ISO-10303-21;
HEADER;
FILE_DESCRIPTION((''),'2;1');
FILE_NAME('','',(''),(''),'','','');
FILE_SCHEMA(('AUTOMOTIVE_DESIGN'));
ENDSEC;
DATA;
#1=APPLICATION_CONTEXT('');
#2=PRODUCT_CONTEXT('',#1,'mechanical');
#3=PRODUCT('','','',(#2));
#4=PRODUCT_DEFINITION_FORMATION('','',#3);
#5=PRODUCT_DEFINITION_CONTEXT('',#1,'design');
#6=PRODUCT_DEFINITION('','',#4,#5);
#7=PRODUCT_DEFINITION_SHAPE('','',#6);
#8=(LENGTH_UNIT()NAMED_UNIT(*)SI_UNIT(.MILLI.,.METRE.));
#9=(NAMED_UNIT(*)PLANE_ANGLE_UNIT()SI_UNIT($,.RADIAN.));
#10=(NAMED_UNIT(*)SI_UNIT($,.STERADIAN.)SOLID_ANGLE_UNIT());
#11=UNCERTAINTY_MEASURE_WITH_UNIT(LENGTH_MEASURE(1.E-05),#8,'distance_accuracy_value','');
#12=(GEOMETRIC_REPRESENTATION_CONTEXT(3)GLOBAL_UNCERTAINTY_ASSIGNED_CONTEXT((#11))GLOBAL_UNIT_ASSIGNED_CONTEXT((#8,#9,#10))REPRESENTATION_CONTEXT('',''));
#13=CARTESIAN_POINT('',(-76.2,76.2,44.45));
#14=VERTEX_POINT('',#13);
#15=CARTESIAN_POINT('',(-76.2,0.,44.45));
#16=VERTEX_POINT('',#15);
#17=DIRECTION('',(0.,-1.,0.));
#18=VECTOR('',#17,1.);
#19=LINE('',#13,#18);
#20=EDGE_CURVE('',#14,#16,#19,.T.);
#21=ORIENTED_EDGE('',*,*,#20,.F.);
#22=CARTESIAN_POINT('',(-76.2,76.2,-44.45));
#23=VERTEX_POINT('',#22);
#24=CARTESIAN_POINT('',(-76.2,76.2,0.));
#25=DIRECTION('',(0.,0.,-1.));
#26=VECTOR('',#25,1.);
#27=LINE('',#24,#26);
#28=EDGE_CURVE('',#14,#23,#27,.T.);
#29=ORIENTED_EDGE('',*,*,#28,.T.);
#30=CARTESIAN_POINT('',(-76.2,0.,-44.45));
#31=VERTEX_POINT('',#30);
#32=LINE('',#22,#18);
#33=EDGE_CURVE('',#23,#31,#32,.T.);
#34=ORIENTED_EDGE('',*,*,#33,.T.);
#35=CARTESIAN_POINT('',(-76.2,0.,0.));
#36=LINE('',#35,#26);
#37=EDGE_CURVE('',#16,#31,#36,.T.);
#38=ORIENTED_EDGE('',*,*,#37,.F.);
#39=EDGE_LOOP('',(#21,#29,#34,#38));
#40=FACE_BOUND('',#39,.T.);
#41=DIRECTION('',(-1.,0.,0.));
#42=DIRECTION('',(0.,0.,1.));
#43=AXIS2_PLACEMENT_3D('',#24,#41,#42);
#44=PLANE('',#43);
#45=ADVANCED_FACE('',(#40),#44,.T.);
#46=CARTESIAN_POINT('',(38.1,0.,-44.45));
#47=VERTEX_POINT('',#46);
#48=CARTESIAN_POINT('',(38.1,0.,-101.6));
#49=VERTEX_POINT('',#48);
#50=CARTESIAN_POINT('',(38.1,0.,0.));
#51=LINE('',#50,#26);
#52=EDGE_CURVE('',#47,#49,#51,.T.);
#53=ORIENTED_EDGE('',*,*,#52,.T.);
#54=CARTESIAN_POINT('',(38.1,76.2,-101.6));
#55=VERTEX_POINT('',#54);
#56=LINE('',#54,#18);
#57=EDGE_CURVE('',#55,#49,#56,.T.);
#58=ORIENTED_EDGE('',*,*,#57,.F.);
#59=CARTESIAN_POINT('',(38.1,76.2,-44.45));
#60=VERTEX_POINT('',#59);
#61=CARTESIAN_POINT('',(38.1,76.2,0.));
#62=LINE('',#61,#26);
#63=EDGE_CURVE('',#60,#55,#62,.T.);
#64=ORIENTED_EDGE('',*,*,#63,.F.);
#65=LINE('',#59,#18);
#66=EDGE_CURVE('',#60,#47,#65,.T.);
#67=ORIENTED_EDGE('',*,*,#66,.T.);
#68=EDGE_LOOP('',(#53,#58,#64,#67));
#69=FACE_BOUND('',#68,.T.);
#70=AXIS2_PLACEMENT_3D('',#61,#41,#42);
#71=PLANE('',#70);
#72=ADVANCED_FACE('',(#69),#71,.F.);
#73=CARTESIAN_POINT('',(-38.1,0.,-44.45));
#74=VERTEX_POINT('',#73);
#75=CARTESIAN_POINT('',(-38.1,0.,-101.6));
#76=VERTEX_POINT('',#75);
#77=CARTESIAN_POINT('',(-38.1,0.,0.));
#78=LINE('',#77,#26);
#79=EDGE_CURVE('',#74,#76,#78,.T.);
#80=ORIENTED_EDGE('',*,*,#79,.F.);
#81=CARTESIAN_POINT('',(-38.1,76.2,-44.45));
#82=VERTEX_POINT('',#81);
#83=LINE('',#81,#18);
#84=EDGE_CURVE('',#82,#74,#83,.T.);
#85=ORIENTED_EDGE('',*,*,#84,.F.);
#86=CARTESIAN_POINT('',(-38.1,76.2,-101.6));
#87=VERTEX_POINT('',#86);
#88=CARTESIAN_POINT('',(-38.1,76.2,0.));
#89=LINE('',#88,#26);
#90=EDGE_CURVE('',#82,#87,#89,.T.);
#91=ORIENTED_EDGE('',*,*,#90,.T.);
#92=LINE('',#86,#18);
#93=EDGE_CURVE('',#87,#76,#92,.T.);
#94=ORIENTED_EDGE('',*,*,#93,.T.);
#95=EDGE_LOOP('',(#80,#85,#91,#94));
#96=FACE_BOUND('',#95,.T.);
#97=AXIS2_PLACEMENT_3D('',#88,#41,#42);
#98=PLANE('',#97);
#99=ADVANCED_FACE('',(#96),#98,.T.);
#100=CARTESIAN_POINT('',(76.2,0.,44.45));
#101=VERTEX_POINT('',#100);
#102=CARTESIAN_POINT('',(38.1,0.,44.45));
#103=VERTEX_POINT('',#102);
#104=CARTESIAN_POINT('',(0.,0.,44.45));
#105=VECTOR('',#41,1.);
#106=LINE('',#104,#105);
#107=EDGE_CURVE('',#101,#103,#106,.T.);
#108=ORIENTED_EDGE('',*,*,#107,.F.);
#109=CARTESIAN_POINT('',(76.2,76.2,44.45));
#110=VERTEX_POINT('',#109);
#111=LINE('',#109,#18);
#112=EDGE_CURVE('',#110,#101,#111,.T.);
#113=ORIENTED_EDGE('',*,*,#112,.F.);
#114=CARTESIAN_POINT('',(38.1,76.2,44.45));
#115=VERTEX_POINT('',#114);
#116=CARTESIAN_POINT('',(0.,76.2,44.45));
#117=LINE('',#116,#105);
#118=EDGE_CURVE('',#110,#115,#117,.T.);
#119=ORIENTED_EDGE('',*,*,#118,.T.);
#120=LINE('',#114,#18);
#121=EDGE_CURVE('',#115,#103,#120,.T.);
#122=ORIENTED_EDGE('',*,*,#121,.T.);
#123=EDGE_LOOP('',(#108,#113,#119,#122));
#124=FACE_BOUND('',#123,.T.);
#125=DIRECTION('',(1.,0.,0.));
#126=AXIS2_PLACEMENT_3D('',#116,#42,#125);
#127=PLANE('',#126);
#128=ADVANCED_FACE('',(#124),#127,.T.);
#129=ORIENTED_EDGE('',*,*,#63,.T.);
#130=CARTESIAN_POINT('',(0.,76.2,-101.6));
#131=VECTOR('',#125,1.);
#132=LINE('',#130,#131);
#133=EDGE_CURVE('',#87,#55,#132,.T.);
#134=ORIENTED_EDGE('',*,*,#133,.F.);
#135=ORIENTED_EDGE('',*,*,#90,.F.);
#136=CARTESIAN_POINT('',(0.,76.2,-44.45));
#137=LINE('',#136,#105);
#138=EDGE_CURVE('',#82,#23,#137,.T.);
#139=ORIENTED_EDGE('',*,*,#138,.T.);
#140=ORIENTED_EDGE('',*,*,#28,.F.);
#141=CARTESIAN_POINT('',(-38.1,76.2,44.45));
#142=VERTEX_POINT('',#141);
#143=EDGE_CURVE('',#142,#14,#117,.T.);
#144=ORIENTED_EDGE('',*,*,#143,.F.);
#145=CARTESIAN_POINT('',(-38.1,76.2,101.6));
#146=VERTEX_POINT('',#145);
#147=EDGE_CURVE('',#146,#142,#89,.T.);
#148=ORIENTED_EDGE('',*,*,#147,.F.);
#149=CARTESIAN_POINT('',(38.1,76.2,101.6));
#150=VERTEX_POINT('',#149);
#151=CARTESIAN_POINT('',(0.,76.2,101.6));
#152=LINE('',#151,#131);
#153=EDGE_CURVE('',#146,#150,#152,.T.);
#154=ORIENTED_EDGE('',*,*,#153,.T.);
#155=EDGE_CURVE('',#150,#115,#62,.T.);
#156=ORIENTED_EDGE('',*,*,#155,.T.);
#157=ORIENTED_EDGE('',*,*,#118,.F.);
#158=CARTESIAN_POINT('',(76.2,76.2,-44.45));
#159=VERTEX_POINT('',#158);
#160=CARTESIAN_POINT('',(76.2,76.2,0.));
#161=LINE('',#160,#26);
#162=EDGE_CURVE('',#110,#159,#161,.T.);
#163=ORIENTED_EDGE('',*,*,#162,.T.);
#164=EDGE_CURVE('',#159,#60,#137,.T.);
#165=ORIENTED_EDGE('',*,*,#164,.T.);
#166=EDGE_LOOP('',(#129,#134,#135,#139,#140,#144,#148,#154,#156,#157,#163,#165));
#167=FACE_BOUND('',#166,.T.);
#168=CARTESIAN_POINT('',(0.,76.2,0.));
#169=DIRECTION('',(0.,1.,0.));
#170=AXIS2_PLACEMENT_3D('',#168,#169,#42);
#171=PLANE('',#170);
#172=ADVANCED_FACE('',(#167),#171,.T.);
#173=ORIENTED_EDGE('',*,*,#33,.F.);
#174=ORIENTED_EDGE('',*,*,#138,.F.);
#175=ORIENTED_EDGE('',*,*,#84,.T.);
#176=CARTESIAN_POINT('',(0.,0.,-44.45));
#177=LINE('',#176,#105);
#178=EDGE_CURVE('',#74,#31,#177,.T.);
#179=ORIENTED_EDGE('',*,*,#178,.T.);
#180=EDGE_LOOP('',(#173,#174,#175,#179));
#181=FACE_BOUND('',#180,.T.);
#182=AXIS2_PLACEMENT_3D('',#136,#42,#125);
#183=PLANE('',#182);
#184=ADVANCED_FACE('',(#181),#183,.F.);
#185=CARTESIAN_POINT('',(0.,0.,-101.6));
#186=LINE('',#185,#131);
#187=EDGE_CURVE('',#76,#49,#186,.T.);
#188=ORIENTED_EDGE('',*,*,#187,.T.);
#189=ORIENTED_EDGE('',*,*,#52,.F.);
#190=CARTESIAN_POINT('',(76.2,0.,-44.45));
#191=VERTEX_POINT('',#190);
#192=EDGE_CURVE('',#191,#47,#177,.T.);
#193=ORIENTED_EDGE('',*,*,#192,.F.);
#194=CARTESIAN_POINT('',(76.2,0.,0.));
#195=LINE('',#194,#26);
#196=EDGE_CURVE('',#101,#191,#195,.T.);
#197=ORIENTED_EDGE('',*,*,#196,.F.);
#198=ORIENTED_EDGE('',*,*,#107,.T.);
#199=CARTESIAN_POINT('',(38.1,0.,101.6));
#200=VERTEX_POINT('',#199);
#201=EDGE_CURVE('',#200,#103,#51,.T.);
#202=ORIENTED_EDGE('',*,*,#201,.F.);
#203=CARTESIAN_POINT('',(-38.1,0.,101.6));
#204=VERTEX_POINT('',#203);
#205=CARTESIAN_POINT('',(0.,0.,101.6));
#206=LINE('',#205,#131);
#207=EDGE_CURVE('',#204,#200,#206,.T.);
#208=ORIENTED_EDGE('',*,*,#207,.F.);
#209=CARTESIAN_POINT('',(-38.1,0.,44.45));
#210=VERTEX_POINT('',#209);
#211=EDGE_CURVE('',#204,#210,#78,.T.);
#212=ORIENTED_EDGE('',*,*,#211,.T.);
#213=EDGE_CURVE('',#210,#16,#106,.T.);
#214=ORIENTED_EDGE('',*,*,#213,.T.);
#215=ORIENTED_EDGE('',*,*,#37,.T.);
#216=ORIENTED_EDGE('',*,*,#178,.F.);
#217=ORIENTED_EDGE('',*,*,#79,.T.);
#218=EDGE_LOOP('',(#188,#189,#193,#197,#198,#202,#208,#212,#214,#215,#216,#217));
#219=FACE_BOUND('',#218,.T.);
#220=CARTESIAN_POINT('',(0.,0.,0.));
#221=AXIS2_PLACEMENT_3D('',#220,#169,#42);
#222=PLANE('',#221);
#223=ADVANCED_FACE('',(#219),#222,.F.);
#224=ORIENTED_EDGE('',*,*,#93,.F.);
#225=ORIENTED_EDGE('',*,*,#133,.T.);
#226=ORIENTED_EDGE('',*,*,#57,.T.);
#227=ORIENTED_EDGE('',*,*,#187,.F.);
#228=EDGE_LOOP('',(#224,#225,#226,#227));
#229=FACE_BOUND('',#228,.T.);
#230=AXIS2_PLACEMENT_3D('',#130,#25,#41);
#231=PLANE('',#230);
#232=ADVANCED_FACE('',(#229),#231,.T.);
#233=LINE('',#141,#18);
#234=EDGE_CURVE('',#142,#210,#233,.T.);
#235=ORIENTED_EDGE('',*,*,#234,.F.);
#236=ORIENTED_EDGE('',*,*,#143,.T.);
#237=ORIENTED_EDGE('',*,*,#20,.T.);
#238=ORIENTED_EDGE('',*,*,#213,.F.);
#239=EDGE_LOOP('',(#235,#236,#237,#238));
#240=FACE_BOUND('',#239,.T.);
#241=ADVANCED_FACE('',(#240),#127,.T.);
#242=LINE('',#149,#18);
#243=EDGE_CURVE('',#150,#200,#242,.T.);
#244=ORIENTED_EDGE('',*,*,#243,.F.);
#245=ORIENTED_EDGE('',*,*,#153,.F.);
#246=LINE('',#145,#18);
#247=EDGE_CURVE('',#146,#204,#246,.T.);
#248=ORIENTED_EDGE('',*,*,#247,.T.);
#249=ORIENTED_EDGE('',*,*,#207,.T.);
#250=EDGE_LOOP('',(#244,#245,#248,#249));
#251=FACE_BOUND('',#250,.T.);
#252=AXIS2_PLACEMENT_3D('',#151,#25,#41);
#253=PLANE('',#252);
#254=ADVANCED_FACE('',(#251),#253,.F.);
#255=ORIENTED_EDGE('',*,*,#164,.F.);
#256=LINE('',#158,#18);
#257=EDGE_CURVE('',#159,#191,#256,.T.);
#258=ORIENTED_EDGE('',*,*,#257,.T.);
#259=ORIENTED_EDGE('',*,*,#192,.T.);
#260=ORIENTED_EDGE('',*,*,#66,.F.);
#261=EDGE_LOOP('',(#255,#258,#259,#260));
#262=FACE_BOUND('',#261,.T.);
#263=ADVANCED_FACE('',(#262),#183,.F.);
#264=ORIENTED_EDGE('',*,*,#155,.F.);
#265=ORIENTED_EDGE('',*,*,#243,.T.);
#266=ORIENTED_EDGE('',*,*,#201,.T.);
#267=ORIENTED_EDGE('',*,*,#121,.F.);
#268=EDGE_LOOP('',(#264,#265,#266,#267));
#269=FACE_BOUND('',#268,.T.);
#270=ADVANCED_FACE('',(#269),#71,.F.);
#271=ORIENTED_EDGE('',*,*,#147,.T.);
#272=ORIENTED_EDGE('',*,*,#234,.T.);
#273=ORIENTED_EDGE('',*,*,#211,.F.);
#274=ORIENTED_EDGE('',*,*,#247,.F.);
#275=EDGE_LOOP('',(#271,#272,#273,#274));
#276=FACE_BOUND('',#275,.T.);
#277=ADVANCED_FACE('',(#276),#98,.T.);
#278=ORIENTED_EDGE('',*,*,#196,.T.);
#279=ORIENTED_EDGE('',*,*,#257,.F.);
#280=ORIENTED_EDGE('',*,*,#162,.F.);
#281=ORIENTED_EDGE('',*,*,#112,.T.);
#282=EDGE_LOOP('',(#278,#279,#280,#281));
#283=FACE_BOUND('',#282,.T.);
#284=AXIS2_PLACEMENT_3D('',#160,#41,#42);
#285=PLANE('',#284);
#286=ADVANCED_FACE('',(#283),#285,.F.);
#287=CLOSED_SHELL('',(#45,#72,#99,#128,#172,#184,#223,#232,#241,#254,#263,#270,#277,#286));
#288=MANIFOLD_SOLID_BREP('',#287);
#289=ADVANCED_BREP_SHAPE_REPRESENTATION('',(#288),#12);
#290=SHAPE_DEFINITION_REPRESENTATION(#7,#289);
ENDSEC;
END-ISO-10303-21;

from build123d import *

# Parameters (mm, degrees)
SKETCH1_W           = 76.2
SKETCH1_H           = 88.9
SKETCH1_H_2         = 57.15
SKETCH1_W_2         = 38.1
BOSS_EXTRUDE1_DEPTH = 76.2


with BuildPart() as part:
    # Sketch1 → Boss-Extrude1 (new body)
    with BuildSketch(Plane(origin=(0, 0, 0), x_dir=(1, 0, 0), z_dir=(0, 1, 0))):
        Rectangle(SKETCH1_W, SKETCH1_H)
        with Locations((0, 73.025)):
            Rectangle(SKETCH1_W, SKETCH1_H_2)
        with Locations((57.15, 0)):
            Rectangle(SKETCH1_W_2, SKETCH1_H)
        with Locations((0, -73.025)):
            Rectangle(SKETCH1_W, SKETCH1_H_2)
        with Locations((-57.15, 0)):
            Rectangle(SKETCH1_W_2, SKETCH1_H)
    extrude(amount=BOSS_EXTRUDE1_DEPTH)


solid = part.part
